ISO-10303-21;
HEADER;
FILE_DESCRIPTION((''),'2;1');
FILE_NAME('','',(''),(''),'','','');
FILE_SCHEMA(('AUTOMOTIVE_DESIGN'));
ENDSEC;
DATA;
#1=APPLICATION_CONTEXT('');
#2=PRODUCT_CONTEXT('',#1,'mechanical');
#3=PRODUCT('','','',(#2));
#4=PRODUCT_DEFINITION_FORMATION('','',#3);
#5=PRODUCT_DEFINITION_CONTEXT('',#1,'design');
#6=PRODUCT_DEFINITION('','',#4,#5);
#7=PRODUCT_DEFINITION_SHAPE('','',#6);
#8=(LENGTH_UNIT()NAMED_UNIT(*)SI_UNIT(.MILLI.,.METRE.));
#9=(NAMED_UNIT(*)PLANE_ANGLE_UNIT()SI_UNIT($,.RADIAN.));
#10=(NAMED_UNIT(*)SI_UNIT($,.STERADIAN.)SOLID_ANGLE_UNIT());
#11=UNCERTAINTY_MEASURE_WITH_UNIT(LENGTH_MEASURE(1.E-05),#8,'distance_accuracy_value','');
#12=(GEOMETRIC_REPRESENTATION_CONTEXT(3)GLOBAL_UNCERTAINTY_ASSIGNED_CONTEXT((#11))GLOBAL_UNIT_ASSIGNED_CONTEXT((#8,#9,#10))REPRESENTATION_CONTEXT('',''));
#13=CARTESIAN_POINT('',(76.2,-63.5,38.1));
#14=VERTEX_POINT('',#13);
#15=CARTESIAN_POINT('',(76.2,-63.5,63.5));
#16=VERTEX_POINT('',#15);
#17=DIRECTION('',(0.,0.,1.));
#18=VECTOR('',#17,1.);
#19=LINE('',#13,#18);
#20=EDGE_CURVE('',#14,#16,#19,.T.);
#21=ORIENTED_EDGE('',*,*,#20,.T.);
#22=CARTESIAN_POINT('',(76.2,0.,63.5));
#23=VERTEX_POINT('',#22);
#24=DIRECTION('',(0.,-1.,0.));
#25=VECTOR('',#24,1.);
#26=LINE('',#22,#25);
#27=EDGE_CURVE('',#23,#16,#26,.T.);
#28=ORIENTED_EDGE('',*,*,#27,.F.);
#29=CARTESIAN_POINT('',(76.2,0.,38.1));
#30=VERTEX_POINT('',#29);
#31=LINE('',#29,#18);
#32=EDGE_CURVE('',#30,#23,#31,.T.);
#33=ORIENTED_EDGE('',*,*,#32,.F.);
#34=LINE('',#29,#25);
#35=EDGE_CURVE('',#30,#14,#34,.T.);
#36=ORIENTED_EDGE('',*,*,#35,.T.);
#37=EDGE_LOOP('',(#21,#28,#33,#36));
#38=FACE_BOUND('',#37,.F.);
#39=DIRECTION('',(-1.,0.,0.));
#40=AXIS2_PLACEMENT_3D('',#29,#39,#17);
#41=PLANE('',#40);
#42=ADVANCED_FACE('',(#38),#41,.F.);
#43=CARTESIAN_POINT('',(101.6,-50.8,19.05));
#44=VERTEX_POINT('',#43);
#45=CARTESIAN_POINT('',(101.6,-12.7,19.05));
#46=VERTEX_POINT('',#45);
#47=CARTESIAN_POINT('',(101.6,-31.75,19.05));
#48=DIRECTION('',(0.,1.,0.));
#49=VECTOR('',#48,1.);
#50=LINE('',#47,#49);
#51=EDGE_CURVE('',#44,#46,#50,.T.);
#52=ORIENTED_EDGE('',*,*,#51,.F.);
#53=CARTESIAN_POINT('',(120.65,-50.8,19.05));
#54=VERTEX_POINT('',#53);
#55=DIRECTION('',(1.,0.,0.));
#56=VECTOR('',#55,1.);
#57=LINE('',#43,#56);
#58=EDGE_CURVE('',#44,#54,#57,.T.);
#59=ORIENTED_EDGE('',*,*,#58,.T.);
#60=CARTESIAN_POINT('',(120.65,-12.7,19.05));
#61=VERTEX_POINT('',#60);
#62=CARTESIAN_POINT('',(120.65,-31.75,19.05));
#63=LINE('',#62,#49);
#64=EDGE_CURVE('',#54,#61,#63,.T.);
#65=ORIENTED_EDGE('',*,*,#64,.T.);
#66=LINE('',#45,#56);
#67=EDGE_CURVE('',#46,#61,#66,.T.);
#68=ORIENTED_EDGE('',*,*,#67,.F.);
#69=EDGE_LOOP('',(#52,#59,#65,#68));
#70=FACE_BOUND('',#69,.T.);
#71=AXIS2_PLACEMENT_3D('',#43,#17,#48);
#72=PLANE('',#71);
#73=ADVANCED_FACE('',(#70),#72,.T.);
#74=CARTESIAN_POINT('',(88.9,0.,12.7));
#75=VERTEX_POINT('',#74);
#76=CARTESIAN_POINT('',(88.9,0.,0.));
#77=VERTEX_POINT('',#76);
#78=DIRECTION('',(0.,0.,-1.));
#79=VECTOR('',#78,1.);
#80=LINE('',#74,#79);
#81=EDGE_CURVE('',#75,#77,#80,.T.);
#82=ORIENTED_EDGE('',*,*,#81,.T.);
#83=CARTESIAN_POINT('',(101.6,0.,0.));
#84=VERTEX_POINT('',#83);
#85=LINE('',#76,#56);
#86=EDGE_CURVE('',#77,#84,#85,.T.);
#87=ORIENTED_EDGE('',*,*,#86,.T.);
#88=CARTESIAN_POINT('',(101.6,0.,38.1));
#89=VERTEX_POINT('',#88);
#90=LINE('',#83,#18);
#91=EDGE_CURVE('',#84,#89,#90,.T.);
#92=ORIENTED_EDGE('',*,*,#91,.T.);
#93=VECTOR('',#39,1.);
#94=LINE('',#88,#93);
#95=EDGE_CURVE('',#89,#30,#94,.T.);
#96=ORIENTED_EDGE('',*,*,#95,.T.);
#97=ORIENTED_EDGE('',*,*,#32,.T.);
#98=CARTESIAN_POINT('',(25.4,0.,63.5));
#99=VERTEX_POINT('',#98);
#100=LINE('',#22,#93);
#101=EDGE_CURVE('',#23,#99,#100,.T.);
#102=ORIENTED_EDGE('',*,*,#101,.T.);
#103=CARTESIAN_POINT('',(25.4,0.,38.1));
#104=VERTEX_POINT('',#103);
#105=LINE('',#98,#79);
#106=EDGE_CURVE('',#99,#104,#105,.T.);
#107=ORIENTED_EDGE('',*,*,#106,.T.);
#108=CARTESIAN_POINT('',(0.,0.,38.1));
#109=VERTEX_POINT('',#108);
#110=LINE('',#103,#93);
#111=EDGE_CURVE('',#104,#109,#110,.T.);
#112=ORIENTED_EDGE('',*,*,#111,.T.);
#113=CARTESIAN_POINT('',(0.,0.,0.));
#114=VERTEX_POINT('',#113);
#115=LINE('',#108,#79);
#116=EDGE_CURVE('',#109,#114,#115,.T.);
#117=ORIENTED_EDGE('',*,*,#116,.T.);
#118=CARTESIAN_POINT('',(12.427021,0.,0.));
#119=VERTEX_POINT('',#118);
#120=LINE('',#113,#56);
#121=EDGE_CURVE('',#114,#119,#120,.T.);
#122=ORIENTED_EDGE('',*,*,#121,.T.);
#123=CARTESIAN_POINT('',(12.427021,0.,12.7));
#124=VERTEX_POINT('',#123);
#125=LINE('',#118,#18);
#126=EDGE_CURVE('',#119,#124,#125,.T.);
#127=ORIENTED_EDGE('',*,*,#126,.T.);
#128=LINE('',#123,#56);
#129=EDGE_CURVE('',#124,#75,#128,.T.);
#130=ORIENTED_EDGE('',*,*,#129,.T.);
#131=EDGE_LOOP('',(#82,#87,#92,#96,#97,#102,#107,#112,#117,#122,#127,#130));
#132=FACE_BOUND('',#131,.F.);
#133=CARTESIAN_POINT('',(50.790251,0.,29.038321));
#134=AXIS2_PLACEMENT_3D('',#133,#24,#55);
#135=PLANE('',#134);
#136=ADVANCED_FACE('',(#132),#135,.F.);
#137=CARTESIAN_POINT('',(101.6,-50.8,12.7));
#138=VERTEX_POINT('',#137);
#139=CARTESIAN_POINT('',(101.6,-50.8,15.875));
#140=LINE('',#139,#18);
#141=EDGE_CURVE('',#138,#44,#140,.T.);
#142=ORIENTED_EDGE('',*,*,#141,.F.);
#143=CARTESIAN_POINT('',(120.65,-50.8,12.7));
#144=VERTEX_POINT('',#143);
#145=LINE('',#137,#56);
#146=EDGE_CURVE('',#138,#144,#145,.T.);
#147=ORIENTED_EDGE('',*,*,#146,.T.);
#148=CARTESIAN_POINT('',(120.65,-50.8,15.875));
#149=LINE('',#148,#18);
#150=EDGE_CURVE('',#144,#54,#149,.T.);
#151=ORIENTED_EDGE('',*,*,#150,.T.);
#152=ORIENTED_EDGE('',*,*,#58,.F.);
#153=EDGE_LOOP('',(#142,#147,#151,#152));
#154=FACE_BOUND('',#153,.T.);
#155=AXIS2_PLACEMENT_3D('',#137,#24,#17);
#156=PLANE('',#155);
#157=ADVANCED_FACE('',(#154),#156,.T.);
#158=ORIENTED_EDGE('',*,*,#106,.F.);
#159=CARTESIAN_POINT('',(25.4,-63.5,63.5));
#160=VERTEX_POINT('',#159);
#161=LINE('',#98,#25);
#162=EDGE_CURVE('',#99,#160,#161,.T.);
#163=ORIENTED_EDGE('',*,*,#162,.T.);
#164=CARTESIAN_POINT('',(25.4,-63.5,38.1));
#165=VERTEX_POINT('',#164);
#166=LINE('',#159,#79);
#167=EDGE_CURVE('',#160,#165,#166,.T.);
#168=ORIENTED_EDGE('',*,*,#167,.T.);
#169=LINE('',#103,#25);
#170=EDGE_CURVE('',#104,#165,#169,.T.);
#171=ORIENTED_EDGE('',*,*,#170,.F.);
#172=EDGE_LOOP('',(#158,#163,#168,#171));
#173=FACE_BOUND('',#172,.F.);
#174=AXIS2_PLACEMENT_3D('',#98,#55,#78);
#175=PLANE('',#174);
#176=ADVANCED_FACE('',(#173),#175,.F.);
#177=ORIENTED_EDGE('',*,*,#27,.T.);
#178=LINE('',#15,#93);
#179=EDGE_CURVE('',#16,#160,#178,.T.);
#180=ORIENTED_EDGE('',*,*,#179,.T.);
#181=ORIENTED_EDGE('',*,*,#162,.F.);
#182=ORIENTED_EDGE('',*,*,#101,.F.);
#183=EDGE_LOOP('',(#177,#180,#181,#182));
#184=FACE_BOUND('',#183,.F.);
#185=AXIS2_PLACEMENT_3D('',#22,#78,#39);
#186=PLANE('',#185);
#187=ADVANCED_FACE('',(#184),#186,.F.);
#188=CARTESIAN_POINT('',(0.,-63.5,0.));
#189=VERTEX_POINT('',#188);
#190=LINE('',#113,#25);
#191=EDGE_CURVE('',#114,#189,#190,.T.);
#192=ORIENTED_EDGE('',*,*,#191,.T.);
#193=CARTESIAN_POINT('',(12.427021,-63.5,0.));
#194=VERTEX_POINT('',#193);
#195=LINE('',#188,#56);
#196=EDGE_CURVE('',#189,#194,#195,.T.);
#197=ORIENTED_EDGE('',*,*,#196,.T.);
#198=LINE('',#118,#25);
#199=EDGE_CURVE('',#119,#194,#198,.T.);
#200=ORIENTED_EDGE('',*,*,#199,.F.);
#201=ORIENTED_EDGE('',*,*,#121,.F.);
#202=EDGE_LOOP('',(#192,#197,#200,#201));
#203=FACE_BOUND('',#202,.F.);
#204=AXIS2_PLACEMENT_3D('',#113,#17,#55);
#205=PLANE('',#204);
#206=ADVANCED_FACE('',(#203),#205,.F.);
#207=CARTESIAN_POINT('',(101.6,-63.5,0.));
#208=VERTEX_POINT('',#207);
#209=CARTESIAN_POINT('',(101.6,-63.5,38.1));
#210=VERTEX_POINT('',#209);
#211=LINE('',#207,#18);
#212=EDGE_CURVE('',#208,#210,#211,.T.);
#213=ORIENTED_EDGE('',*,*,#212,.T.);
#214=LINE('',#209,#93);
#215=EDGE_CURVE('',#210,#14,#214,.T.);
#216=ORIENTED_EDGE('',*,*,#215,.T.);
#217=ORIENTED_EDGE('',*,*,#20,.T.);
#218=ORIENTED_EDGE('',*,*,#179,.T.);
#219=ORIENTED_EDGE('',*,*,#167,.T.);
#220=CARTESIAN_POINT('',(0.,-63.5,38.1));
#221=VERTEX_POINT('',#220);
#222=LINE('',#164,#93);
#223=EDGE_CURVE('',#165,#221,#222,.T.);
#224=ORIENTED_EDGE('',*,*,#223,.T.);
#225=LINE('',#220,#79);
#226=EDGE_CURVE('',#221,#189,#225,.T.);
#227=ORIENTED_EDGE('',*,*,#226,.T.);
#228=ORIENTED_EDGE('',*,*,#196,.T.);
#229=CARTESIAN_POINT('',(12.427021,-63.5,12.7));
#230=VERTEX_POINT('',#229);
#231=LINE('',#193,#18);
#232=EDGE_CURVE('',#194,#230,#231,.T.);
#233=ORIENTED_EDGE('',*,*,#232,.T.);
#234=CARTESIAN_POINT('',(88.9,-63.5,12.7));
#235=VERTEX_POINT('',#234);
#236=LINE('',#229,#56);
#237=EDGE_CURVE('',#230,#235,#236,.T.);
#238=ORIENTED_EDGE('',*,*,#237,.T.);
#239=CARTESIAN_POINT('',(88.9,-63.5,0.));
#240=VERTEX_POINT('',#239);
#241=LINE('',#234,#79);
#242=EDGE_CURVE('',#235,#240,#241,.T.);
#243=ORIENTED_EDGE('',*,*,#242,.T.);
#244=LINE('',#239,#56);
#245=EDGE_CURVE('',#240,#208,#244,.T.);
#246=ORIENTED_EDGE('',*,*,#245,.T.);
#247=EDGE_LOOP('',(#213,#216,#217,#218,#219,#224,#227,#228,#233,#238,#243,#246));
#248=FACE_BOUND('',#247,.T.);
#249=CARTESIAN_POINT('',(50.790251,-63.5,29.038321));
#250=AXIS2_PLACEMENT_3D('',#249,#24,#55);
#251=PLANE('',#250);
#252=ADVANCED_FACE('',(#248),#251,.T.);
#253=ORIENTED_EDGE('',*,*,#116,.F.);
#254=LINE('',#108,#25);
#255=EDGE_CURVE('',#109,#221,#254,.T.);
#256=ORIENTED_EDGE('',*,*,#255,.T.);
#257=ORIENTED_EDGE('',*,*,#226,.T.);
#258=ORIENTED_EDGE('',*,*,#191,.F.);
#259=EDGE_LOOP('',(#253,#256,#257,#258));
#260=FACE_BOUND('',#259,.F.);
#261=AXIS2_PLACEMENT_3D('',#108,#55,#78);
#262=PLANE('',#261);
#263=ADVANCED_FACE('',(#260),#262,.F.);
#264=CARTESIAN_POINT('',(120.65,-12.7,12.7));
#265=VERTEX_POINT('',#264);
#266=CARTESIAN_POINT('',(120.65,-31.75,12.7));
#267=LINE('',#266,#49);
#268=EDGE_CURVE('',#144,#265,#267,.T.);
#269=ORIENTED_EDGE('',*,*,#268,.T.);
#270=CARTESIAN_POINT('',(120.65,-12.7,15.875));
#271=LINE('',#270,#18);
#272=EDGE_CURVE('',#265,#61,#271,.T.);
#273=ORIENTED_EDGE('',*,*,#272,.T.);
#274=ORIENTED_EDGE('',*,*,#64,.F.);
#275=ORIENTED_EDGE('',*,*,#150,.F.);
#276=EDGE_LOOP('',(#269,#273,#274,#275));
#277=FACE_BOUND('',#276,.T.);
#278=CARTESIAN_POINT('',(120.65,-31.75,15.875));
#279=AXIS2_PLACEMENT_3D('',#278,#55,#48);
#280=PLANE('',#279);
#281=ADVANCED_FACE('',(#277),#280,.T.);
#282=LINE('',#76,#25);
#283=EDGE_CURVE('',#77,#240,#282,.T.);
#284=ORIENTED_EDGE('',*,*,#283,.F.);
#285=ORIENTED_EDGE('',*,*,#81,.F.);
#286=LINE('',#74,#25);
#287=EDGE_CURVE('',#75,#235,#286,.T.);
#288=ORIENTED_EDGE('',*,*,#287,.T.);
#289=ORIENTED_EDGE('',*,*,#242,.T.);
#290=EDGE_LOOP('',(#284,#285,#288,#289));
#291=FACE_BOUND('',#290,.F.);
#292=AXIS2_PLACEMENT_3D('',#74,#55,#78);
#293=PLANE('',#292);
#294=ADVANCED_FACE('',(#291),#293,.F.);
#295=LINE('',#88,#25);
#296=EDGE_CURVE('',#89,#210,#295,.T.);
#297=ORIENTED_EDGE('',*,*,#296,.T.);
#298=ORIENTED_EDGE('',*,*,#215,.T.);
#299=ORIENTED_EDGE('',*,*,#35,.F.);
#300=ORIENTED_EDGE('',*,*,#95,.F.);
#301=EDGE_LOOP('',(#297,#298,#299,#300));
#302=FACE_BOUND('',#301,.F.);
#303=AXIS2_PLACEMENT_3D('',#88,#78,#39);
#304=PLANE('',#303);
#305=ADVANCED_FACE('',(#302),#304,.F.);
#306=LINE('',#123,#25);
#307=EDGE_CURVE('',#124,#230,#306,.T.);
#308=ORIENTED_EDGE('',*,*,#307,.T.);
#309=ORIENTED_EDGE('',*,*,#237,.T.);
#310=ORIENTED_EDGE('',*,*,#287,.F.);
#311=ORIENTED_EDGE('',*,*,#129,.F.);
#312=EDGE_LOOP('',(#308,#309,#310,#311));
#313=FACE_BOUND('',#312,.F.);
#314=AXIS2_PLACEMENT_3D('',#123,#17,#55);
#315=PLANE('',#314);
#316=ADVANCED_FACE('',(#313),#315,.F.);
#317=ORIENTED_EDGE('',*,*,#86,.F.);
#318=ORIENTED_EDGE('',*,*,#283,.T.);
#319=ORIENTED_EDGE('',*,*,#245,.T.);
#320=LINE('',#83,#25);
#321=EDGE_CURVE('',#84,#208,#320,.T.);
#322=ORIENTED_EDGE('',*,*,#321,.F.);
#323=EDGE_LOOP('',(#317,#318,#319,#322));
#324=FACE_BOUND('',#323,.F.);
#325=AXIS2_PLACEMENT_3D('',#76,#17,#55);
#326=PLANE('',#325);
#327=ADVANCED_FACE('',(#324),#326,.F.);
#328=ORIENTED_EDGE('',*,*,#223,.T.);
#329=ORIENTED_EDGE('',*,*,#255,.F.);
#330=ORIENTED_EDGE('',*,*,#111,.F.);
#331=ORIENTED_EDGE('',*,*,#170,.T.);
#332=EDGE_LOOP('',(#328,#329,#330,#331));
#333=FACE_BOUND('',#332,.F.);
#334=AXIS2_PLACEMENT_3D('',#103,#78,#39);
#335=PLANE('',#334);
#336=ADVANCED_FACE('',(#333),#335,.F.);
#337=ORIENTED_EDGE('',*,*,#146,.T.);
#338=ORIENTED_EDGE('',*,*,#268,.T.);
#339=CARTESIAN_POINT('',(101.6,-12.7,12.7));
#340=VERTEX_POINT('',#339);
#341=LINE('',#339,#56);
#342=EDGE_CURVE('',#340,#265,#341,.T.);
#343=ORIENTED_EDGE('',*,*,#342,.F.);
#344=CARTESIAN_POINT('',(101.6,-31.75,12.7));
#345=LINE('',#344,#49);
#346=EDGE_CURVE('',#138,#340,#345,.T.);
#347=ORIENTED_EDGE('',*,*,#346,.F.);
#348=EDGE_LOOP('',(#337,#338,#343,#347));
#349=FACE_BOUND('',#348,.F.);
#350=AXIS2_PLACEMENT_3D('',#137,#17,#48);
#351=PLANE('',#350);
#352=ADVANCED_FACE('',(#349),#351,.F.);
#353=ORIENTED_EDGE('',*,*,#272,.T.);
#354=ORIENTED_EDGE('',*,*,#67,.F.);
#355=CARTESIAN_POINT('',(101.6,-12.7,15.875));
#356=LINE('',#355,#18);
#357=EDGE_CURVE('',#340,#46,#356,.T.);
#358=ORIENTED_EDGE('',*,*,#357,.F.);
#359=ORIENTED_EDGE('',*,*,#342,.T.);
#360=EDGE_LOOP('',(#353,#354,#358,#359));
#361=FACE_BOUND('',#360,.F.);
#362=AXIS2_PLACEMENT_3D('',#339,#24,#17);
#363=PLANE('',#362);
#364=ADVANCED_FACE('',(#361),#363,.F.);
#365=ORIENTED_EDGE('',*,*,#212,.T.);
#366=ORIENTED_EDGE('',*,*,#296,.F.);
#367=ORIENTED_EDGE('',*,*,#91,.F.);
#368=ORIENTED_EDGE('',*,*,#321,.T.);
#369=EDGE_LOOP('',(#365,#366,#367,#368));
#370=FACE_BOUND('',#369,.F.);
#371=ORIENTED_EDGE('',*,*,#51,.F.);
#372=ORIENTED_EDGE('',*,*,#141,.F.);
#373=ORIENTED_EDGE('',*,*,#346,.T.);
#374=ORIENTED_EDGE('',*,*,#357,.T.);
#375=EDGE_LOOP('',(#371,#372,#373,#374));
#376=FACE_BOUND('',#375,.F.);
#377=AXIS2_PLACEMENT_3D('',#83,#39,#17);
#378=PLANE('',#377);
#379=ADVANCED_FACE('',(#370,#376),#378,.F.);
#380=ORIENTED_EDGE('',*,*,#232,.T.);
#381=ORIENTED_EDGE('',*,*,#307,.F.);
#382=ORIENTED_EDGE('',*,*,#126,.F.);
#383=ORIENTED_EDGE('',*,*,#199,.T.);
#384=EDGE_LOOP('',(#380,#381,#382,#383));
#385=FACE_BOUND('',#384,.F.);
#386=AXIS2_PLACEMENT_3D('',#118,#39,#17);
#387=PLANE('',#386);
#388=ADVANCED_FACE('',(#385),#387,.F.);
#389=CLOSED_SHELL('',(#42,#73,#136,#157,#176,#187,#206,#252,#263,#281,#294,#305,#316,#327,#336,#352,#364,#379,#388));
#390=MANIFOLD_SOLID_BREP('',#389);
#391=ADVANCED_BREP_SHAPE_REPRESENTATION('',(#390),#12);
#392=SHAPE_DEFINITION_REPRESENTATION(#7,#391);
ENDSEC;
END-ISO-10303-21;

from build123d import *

# Parameters (mm, degrees)
F1_DEPTH = 63.5
F2_W     = 38.1
F2_H     = 6.35
F3_DEPTH = 19.05


with BuildPart() as f1:
    # F0 (on Front) → F1 (new body)
    with BuildSketch(Plane.XZ):
        Polygon((25.4, 38.1), (0, 38.1), (0, 0), (12.427021, 0), (12.427021, 12.7), (88.9, 12.7), (88.9, 0), (101.327021, 0), (101.6, 0), (101.6, 12.7), (101.6, 38.1), (76.2, 38.1), (76.2, 63.5), (25.4, 63.5), align=None)
    extrude(amount=F1_DEPTH)

    # F2 (on face) → F3 (join)
    with BuildSketch(Plane.YZ.offset(101.6)):
        with Locations((-31.75, 15.875)):
            Rectangle(F2_W, F2_H)
    extrude(amount=F3_DEPTH)


solid = f1.part
